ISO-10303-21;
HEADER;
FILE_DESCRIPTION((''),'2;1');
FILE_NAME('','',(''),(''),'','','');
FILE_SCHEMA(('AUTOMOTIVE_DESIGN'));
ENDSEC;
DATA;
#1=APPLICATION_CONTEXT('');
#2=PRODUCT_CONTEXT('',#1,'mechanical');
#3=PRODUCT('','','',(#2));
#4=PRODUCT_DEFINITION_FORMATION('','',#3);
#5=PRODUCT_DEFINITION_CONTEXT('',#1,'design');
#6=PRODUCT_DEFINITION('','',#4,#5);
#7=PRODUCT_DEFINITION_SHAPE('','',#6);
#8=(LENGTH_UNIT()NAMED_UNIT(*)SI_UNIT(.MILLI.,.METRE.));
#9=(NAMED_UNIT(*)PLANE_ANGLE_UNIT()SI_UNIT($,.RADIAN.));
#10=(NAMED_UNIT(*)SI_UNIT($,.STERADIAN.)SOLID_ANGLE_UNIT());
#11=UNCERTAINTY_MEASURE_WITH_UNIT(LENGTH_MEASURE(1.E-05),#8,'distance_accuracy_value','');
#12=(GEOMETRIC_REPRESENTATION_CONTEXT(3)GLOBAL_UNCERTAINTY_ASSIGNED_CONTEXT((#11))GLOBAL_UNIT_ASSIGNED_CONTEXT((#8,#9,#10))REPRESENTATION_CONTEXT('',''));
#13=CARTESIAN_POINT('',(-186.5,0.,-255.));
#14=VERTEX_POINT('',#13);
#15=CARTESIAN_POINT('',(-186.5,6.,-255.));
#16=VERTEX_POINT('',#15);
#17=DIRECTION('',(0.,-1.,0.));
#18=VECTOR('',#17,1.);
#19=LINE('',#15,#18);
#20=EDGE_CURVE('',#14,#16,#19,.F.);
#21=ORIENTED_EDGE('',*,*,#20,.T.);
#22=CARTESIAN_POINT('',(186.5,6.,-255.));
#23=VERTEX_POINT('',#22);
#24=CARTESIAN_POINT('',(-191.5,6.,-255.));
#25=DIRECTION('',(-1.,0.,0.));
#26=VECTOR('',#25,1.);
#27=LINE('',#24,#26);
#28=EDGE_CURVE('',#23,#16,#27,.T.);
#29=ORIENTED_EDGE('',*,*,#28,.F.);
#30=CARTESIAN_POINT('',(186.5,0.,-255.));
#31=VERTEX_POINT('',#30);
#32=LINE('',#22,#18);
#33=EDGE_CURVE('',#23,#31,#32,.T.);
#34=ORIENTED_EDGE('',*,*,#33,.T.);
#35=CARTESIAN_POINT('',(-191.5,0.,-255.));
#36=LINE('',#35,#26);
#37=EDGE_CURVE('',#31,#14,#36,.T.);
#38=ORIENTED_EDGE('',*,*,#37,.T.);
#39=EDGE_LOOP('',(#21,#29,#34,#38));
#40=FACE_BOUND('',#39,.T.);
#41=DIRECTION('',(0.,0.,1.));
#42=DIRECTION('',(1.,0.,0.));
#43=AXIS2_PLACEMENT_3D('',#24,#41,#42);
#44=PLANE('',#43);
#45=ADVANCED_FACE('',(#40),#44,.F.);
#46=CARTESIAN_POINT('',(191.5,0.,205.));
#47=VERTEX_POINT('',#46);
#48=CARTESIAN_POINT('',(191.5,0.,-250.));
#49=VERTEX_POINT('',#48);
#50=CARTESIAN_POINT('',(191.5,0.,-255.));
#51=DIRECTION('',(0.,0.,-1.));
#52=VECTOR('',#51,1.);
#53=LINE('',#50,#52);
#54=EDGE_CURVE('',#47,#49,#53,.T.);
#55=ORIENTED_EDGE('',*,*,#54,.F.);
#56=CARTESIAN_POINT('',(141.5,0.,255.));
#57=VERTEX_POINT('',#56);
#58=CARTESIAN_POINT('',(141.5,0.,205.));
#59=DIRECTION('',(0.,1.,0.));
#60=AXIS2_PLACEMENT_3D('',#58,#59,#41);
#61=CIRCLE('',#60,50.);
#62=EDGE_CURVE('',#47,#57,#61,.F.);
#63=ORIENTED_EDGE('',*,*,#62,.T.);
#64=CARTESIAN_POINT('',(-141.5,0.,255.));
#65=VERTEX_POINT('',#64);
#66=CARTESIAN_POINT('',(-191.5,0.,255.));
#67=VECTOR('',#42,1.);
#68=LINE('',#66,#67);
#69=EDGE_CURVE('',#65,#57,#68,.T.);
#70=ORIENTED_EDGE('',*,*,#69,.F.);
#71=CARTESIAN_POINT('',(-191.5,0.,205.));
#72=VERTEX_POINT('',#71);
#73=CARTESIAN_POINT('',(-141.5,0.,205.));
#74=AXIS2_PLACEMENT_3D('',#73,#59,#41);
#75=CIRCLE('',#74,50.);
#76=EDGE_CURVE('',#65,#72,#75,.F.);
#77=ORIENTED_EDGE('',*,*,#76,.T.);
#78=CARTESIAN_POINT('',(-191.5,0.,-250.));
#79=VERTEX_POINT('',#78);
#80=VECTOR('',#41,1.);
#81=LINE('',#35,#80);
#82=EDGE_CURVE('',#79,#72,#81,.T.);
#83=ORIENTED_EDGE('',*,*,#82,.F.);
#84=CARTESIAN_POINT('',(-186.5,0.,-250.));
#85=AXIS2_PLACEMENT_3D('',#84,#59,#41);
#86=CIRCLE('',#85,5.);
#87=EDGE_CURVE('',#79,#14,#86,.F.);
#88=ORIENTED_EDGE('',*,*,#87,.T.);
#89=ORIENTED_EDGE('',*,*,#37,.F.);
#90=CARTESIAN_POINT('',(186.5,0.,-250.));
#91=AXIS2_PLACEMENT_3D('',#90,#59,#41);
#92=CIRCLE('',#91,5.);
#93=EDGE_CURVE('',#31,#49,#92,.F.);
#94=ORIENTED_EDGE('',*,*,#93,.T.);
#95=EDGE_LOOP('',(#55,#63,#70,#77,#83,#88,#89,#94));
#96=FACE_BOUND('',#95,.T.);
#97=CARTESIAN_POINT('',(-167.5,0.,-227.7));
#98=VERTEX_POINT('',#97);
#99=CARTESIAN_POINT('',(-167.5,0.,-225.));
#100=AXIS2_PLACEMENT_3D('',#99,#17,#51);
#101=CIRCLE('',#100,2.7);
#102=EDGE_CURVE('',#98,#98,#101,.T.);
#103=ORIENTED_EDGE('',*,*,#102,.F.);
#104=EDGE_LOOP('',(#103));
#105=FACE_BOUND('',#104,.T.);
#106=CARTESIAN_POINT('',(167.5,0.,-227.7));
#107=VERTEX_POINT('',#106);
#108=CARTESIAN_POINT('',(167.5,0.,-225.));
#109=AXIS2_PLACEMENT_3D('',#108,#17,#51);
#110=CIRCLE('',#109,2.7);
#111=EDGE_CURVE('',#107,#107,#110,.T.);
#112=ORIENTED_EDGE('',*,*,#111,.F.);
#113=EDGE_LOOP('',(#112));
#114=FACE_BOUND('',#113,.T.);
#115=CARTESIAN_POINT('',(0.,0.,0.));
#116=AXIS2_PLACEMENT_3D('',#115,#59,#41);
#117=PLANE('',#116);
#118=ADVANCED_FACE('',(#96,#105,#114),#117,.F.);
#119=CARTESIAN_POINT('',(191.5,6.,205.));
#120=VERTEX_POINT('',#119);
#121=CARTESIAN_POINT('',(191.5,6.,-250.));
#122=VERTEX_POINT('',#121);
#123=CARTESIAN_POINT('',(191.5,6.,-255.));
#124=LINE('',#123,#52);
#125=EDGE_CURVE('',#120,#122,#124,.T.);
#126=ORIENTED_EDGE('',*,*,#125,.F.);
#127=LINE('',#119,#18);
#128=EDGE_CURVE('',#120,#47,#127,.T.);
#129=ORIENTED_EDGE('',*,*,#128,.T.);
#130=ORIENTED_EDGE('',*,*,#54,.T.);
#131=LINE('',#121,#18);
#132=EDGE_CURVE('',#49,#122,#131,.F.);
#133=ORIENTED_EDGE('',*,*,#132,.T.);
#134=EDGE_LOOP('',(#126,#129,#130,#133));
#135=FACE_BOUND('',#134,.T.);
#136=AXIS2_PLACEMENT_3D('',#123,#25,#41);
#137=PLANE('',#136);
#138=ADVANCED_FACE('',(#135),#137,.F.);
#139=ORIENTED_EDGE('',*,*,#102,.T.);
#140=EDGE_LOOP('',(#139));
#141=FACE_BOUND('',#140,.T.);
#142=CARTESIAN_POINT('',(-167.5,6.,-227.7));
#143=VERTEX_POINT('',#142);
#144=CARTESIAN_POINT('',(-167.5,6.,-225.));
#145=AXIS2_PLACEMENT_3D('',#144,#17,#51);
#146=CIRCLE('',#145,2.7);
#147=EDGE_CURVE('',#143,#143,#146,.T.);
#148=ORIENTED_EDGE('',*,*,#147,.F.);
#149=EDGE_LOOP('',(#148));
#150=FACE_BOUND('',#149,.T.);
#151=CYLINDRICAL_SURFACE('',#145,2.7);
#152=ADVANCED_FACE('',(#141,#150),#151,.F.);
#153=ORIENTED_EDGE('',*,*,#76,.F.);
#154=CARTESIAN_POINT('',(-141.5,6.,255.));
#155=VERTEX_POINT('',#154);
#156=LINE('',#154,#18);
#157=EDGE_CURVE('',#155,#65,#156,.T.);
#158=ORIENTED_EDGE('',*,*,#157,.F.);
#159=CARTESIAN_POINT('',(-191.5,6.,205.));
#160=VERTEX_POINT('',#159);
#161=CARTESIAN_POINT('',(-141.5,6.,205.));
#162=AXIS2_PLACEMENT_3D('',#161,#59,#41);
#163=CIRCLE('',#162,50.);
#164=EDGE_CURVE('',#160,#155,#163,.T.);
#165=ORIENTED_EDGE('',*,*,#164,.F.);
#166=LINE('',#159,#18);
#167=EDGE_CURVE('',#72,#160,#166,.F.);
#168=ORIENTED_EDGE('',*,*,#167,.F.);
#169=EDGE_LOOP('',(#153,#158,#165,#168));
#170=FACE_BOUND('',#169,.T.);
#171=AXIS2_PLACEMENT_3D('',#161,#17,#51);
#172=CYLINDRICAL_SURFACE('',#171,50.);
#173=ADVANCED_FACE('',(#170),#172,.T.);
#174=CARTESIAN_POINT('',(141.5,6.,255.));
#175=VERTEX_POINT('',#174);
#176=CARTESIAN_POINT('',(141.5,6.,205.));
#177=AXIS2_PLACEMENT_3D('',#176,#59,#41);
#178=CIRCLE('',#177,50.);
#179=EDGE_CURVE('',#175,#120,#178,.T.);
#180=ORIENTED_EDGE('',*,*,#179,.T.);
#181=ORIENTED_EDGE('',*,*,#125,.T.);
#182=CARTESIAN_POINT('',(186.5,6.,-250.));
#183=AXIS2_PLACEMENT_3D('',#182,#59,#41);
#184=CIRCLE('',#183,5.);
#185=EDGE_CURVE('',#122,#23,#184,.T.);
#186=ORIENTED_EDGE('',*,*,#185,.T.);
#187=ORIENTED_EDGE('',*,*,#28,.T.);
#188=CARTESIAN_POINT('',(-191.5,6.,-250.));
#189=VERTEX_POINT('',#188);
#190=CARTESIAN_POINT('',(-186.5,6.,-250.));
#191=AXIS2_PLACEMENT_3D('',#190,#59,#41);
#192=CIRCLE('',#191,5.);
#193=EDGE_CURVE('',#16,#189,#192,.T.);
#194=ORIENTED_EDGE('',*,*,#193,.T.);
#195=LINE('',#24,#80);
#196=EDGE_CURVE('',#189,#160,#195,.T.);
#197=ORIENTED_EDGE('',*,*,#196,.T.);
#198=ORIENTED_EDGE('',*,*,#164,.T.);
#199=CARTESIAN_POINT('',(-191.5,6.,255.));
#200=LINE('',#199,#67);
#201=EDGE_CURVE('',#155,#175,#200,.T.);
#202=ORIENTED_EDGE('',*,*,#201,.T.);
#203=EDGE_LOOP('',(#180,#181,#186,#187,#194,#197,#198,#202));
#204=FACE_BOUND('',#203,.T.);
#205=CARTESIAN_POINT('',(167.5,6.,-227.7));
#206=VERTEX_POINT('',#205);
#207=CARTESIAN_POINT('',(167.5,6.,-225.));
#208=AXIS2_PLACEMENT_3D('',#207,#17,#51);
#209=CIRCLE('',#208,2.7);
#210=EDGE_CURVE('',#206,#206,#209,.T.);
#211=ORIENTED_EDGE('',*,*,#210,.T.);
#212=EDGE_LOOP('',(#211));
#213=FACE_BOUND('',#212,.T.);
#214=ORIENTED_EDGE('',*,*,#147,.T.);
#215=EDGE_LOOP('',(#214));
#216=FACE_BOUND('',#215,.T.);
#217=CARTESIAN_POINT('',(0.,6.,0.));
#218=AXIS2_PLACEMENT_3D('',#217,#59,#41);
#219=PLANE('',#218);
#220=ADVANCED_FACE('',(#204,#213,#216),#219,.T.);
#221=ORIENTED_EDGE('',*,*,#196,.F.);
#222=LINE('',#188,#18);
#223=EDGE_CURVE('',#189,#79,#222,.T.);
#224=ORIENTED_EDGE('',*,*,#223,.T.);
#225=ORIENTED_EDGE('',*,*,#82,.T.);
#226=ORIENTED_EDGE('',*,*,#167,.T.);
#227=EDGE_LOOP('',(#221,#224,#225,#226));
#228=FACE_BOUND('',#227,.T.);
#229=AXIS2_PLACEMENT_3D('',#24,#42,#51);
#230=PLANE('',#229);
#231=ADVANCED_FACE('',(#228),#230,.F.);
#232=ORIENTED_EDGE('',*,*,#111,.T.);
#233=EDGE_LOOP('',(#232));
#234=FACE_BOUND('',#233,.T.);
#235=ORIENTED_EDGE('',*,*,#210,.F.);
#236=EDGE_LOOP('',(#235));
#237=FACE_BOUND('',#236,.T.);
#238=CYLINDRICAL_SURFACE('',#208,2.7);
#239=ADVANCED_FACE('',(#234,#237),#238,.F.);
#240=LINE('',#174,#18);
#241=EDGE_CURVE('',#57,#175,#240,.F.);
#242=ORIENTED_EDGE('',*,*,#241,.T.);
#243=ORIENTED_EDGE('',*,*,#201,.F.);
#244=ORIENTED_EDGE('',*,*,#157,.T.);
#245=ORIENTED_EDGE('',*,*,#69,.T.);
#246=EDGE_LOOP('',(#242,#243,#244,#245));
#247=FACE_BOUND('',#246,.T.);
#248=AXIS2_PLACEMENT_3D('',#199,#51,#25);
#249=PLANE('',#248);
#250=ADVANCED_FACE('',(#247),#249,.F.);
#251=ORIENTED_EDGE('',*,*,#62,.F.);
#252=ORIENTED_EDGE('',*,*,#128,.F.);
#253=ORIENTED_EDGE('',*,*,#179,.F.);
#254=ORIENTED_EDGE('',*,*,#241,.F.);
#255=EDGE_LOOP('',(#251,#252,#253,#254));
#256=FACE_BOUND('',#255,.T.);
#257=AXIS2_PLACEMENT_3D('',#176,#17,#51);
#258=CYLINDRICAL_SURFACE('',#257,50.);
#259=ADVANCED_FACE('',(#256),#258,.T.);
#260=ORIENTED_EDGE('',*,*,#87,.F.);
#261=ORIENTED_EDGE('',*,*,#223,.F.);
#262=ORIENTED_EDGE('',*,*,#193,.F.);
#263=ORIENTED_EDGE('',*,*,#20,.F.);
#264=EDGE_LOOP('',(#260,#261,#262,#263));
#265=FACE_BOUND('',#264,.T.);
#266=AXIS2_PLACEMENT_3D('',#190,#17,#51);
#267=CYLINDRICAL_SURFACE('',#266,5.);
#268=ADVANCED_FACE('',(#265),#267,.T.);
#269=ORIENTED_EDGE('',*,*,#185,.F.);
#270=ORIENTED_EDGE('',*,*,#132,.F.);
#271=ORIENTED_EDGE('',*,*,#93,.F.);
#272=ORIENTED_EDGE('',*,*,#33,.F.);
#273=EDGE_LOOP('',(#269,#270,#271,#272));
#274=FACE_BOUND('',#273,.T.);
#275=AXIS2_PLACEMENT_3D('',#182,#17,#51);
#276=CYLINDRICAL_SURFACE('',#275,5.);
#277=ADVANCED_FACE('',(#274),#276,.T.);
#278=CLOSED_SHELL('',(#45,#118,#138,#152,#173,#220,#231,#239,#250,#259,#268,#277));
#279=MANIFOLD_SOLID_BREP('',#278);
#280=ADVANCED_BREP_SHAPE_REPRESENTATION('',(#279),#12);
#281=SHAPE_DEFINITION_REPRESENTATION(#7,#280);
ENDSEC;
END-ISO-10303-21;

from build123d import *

# Parameters (mm, degrees)
SKETCH1_W           = 383
SKETCH1_H           = 510
BOSS_EXTRUDE1_DEPTH = 6
SKETCH2_R           = 2.7
CUT_EXTRUDE1_DEPTH  = 319.956501737
FILLET1_R           = 50
FILLET2_R           = 5


with BuildPart() as part:
    # Sketch1 → Boss-Extrude1 (new body)
    with BuildSketch(Plane(origin=(0, 0, 0), x_dir=(1, 0, 0), z_dir=(0, 1, 0))):
        Rectangle(SKETCH1_W, SKETCH1_H)
    extrude(amount=BOSS_EXTRUDE1_DEPTH)

    # Sketch2 → Cut-Extrude1 (cut, through all)
    with BuildSketch(Plane.XZ):
        with Locations(Location((-167.5, -225, 0), (0, 0, 270))):
            Circle(SKETCH2_R)
        with Locations(Location((167.5, -225, 0), (0, 0, 270))):
            Circle(SKETCH2_R)
    extrude(amount=-CUT_EXTRUDE1_DEPTH, mode=Mode.SUBTRACT)

    # Fillet1
    fillet1_edges = [part.edges().sort_by_distance(p)[0] for p in [
        (191.5, 3, 255),
        (-191.5, 3, 255),
    ]]
    fillet(fillet1_edges, radius=FILLET1_R)

    # Fillet2
    fillet2_edges = [part.edges().sort_by_distance(p)[0] for p in [
        (-191.5, 3, -255),
        (191.5, 3, -255),
    ]]
    fillet(fillet2_edges, radius=FILLET2_R)


solid = part.part
